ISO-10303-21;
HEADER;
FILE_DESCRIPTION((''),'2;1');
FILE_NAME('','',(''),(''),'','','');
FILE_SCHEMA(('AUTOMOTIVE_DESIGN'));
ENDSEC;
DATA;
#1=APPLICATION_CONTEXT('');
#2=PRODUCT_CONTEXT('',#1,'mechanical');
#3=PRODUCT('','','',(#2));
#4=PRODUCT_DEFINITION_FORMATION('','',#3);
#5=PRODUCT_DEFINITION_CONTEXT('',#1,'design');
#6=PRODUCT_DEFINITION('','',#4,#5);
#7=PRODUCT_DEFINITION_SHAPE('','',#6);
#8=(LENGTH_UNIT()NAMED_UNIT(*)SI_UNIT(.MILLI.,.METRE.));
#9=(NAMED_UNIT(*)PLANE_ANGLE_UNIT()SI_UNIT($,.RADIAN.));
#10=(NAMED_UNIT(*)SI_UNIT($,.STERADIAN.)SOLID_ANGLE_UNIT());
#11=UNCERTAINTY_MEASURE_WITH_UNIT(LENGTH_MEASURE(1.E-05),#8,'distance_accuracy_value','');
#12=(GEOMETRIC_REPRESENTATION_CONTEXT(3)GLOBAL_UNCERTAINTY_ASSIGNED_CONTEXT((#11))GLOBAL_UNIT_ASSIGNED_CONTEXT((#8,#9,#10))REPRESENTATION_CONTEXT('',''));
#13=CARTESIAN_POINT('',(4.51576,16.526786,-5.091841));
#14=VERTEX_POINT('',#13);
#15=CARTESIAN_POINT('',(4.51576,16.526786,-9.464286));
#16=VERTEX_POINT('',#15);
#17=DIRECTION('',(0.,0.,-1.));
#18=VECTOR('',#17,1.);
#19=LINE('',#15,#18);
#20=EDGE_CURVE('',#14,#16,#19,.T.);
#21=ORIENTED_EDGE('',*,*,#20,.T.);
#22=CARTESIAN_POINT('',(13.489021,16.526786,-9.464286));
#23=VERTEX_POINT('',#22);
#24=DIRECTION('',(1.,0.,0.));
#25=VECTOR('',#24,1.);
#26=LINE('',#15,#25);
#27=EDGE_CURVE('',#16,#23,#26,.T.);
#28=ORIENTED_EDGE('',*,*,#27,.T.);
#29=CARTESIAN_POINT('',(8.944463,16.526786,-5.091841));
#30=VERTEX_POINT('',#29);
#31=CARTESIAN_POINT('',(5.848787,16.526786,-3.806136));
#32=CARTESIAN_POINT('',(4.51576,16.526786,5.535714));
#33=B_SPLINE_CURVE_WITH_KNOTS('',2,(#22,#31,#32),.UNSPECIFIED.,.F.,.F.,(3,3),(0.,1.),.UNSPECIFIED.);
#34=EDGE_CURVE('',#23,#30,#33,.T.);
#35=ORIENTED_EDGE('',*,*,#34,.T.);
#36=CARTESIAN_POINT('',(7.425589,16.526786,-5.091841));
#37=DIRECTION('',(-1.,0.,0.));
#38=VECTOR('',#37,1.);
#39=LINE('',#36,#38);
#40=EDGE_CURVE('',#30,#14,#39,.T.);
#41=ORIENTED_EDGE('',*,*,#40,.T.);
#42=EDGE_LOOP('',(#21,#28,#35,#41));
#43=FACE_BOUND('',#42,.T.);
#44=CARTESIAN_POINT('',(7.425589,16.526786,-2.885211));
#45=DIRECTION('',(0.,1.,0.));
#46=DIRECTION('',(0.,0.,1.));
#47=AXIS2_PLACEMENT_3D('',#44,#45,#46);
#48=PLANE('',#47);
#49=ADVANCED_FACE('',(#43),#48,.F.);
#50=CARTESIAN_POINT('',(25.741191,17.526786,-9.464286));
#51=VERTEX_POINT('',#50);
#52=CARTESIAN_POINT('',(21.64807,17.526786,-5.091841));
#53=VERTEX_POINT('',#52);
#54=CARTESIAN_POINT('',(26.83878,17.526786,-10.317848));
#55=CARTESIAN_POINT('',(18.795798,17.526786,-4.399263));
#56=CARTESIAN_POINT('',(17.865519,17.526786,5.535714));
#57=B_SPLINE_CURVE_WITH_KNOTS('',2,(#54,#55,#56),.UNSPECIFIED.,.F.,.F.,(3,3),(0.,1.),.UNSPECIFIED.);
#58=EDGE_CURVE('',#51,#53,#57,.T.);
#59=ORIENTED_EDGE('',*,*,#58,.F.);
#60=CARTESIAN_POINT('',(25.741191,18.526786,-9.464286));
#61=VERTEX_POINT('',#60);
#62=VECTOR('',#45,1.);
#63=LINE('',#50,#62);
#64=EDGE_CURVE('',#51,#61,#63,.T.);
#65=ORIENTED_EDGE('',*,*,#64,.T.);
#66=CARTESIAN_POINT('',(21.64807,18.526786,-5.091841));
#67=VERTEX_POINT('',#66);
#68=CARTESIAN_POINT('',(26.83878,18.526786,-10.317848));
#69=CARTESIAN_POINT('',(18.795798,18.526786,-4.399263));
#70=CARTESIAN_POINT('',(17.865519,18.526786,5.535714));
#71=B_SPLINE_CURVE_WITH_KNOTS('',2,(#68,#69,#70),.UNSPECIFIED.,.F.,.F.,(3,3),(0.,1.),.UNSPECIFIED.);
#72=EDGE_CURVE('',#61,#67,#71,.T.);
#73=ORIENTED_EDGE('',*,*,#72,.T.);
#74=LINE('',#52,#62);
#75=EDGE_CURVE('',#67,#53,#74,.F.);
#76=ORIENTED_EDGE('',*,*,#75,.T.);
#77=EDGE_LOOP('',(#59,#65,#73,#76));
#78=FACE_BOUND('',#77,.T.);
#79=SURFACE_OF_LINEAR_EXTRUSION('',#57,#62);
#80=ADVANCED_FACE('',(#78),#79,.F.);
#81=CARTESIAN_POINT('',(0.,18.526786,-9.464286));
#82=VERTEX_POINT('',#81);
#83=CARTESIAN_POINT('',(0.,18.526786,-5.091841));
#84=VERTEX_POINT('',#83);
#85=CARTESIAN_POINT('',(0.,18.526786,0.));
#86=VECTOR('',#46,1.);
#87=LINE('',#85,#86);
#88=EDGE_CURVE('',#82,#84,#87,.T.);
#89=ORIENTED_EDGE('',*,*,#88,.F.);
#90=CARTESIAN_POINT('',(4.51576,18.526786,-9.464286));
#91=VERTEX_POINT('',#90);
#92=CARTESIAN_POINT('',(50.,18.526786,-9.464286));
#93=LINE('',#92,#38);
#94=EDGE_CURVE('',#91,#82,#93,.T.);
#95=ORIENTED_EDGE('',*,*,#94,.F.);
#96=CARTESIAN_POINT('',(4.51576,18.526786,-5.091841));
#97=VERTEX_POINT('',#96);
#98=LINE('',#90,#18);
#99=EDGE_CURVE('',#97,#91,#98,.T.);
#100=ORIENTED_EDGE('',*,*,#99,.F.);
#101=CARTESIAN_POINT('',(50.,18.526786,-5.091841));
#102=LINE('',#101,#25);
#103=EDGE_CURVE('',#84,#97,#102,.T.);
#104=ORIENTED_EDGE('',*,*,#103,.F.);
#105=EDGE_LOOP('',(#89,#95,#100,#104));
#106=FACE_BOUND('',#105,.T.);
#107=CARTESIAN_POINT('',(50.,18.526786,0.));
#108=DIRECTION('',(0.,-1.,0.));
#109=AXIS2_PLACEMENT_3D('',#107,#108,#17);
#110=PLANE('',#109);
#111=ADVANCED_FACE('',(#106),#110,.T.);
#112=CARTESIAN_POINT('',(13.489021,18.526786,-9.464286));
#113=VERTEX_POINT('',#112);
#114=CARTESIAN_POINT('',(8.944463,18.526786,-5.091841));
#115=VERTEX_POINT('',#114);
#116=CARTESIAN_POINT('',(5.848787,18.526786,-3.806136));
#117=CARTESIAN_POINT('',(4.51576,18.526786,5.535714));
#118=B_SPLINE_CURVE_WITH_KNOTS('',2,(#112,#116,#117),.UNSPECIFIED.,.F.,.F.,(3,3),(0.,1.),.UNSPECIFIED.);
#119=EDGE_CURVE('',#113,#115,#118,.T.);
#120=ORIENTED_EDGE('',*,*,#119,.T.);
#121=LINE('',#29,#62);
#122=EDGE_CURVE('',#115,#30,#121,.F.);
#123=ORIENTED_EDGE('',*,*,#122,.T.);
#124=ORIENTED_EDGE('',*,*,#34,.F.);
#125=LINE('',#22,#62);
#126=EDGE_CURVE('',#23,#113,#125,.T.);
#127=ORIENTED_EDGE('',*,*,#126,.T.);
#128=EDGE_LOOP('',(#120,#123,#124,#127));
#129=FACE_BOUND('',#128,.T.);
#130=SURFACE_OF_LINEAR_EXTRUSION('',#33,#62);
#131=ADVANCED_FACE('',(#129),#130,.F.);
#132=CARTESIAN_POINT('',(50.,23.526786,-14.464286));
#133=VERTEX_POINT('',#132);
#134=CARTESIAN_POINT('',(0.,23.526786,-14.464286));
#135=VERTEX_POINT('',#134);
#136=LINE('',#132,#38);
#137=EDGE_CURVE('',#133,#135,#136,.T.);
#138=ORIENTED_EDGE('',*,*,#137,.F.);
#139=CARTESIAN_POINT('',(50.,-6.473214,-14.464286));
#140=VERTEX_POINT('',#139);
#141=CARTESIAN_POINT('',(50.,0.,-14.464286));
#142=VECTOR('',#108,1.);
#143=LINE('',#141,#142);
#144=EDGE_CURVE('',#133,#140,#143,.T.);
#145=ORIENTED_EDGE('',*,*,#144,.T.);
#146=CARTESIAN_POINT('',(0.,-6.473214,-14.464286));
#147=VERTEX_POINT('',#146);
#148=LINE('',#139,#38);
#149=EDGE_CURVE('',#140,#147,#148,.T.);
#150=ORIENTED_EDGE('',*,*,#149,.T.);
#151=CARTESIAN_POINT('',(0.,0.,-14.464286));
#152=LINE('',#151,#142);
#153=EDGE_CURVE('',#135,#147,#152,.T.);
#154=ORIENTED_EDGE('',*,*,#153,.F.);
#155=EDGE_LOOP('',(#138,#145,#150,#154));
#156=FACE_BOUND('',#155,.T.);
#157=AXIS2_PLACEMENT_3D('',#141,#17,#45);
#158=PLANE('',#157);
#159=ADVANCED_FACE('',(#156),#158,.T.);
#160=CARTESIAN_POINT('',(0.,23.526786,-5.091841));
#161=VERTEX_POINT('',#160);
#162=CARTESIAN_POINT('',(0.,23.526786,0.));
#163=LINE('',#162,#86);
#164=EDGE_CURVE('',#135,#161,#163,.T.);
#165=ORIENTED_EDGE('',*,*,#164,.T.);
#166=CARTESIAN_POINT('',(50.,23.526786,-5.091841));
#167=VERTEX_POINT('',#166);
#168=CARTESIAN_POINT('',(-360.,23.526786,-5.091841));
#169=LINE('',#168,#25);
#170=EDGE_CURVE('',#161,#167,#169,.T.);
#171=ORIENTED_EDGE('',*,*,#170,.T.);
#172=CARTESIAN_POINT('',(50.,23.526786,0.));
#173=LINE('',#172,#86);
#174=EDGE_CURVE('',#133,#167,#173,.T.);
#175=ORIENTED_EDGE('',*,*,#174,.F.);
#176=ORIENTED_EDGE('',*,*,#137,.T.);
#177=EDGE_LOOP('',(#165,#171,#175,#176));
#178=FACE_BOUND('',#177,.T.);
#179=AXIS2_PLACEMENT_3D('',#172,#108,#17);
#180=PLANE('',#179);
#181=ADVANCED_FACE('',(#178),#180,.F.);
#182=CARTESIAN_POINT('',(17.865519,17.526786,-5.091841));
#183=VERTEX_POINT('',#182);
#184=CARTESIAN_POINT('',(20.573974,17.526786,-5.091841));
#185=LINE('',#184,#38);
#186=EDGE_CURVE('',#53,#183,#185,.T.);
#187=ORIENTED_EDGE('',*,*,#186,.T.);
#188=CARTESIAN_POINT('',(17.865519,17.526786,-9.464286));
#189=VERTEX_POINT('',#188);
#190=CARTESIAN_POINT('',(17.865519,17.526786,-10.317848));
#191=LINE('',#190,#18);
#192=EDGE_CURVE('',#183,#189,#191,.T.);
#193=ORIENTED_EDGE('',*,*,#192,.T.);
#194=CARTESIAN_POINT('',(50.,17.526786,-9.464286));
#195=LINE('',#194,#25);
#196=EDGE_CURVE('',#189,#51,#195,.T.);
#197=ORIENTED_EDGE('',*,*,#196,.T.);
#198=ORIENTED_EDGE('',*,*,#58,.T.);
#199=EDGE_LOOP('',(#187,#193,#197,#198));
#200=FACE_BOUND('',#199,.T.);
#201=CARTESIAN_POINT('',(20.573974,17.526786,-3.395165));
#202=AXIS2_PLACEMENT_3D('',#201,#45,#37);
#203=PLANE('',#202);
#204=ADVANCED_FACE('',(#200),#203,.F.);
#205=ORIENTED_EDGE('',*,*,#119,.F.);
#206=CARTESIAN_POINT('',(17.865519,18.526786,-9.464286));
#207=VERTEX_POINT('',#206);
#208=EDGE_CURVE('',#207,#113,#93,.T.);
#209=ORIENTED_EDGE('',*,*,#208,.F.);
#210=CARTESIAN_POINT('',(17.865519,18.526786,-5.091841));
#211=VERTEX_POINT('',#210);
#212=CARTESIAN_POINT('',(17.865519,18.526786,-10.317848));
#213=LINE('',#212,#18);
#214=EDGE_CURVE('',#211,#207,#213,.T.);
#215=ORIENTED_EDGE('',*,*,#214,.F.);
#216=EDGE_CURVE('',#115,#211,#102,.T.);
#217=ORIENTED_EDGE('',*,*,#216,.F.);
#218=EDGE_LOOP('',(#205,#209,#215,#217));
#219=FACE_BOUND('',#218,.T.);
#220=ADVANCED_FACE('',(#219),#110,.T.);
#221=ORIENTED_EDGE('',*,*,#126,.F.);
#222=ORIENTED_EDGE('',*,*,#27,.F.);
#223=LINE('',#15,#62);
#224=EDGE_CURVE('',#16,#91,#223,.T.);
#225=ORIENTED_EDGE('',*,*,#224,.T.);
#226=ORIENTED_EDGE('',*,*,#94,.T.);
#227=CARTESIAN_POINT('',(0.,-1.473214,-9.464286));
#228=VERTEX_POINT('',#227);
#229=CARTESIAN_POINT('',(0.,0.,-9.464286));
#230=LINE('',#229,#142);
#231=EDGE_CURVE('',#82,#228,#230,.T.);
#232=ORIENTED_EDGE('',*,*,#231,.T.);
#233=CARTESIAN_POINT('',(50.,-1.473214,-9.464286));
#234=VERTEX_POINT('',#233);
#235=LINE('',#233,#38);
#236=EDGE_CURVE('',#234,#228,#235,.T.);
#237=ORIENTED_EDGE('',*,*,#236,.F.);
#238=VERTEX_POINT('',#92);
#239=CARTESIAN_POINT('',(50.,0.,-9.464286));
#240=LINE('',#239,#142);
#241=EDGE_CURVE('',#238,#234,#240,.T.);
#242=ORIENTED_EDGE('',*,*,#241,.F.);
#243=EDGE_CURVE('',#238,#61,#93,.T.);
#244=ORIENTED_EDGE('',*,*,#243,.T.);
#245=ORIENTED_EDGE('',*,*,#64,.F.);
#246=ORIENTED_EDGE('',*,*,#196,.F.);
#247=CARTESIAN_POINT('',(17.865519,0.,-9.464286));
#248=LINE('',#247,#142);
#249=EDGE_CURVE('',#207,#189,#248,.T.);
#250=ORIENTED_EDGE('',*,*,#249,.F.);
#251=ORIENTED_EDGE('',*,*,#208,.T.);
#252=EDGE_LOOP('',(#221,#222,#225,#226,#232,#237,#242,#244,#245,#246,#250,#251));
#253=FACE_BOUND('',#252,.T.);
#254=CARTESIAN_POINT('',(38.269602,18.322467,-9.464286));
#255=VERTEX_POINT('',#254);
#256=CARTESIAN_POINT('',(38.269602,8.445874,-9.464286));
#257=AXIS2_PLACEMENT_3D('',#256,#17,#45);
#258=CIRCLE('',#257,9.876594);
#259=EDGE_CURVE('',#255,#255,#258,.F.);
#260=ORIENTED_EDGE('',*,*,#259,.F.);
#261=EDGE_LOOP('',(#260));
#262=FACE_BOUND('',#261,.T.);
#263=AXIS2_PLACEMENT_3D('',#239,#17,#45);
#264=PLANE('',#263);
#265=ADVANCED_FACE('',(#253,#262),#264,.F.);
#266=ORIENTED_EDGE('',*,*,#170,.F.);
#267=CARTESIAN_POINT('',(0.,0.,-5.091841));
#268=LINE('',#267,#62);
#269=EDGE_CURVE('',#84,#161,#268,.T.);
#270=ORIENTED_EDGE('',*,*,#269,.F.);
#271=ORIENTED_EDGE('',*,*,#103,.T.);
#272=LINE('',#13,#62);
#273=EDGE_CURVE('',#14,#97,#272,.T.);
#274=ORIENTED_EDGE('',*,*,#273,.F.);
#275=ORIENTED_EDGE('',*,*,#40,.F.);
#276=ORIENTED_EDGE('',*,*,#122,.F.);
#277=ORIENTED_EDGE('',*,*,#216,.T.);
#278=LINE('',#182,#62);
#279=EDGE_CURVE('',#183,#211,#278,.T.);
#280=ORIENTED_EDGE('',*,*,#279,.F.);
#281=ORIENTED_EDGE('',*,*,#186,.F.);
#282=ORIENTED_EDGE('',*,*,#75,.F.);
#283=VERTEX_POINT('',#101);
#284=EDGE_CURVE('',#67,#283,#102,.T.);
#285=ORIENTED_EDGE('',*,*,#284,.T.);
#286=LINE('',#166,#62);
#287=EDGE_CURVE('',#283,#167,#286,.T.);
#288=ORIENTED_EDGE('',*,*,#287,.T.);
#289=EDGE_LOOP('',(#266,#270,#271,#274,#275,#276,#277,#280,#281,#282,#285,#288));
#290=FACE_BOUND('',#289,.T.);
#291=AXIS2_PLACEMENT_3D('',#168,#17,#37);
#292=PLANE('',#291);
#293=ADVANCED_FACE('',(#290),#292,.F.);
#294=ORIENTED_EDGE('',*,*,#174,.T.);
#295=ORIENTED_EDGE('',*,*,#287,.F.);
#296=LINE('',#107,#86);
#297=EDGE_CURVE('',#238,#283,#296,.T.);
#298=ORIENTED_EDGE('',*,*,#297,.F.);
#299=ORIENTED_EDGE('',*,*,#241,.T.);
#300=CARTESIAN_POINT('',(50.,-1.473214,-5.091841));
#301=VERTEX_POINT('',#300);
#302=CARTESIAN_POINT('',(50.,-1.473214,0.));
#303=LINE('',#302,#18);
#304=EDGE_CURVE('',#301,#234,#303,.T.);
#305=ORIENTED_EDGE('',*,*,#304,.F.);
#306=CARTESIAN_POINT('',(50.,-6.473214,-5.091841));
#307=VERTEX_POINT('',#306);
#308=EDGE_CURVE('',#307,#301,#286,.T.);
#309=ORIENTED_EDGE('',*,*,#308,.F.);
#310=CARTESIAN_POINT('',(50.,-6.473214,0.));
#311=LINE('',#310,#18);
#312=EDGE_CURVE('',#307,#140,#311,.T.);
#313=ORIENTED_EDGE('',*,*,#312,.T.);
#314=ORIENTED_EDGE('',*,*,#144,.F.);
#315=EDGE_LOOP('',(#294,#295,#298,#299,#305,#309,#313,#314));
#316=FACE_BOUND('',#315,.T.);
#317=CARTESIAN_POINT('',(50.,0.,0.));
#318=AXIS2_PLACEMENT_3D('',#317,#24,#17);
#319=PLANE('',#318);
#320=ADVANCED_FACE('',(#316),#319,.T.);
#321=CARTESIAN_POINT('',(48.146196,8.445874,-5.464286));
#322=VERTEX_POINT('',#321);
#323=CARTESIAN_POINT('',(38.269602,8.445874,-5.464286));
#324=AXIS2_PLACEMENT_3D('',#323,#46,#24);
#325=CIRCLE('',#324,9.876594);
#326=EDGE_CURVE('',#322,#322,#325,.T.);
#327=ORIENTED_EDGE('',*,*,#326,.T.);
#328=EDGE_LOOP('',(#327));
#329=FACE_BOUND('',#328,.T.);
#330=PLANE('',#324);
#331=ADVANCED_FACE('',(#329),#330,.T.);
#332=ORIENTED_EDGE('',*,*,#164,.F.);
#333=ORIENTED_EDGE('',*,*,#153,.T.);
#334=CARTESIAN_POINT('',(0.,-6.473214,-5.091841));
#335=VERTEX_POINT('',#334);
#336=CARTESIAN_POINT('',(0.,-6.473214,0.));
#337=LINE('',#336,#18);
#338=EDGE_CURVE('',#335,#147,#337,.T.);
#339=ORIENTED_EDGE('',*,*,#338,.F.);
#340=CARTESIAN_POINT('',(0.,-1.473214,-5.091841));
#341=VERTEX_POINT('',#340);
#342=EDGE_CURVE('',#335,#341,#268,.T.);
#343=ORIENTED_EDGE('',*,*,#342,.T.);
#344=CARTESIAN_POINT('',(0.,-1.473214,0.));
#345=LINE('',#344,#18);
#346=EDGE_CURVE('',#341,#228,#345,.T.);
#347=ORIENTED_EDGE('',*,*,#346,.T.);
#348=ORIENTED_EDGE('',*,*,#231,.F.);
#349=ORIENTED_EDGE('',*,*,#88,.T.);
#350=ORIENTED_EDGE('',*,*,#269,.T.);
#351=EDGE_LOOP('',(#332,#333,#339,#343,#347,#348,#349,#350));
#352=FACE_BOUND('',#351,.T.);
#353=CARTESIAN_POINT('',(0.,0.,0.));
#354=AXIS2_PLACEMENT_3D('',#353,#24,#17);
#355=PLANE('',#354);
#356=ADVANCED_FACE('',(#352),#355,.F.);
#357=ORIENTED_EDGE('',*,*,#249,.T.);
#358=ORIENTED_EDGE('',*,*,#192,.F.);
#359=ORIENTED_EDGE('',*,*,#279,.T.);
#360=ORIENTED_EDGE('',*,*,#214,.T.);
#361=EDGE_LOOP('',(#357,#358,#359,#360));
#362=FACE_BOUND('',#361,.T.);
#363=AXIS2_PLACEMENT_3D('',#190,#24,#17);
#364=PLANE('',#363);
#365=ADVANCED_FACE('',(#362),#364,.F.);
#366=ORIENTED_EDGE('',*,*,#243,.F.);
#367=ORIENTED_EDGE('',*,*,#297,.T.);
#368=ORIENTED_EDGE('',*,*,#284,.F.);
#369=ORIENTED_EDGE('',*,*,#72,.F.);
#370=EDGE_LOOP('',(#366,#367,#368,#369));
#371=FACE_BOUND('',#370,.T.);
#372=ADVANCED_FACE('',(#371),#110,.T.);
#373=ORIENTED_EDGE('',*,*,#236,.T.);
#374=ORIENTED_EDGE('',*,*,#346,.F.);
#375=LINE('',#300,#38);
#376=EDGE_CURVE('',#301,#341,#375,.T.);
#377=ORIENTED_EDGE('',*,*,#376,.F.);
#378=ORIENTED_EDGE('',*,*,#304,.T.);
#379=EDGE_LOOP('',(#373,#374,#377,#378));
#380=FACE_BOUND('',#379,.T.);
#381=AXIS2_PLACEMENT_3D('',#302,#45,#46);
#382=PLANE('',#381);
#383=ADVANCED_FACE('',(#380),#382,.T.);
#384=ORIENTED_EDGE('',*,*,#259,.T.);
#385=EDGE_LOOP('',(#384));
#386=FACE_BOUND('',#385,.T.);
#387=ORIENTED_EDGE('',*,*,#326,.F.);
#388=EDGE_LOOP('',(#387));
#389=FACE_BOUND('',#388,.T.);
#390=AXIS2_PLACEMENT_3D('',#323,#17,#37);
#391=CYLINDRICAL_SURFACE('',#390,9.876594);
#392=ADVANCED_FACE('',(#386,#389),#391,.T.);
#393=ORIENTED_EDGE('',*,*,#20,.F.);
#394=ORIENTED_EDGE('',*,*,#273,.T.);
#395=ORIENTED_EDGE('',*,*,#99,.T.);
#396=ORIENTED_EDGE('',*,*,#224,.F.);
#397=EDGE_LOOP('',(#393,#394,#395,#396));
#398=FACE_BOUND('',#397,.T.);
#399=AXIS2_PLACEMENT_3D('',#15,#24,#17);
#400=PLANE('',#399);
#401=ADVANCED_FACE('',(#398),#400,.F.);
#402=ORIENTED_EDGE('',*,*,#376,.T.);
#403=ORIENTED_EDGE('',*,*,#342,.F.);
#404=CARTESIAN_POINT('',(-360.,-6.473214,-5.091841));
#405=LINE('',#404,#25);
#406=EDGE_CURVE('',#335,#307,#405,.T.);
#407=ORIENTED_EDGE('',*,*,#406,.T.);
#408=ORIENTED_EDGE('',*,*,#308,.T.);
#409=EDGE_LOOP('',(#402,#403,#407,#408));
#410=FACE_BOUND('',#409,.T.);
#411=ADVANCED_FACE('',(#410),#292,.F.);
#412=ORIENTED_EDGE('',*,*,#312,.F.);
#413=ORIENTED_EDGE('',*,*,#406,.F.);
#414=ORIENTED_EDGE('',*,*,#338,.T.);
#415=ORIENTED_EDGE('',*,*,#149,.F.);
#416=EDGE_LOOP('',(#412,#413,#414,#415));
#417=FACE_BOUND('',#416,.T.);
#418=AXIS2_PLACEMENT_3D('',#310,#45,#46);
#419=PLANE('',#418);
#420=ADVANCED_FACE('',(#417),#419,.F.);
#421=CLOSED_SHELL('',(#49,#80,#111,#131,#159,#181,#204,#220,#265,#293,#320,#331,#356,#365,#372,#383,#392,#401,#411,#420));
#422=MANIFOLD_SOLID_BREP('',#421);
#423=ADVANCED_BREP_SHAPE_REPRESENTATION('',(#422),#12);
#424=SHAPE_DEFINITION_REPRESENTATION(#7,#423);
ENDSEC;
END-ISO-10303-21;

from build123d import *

# Parameters (mm, degrees)
SKETCH1_W           = 5
SKETCH1_H           = 20
SKETCH1_W_2         = 20
SKETCH1_H_2         = 5
BOSS_EXTRUDE2_DEPTH = 50
BOSS_EXTRUDE3_DEPTH = 2
BOSS_EXTRUDE4_DEPTH = 1
SKETCH5_W           = 10.627555573
SKETCH5_H           = 30
CUT_EXTRUDE1_DEPTH  = 410
SKETCH6_R           = 9.876593792
BOSS_EXTRUDE5_DEPTH = 4


with BuildPart() as part:
    # Sketch1 → Boss-Extrude2 (new body)
    with BuildSketch(Plane(origin=(0, 0, 0), x_dir=(0, 0, -1), z_dir=(1, 0, 0))):
        with Locations((11.964285714, 8.526785714)):
            Rectangle(SKETCH1_W, SKETCH1_H)
        with Locations((4.464285714, 21.026785714)):
            Rectangle(SKETCH1_W_2, SKETCH1_H_2)
        with Locations((4.464285714, -3.973214286)):
            Rectangle(SKETCH1_W_2, SKETCH1_H_2)
    extrude(amount=BOSS_EXTRUDE2_DEPTH)

    # Sketch2 → Boss-Extrude3 (add)
    with BuildSketch(Plane.XZ.offset(-18.526785714)):
        with BuildLine():
            Line((4.515759803, -9.464285714), (4.515759803, 5.535714286))
            add(Edge.make_bspline(
                [(4.515759803, 5.535714286), (5.848786982, -3.806136343), (13.48902105, -9.464285714)],
                knots=[0, 0, 0, 1, 1, 1], degree=2))
            Line((13.48902105, -9.464285714), (4.515759803, -9.464285714))
        make_face()
    extrude(amount=BOSS_EXTRUDE3_DEPTH)

    # Sketch4 → Boss-Extrude4 (add)
    with BuildSketch(Plane.XZ.offset(-18.526785714)):
        with BuildLine():
            Line((17.865518754, -10.317847861), (17.865518754, 5.535714286))
            add(Edge.make_bspline(
                [(17.865518754, 5.535714286), (18.795797839, -4.399262704), (26.838780001, -10.317847861)],
                knots=[0, 0, 0, 1, 1, 1], degree=2))
            Line((26.838780001, -10.317847861), (17.865518754, -10.317847861))
        make_face()
    extrude(amount=BOSS_EXTRUDE4_DEPTH)

    # Sketch5 → Cut-Extrude1 (cut)
    with BuildSketch(Plane(origin=(50, 0, 0), x_dir=(0, 0, -1), z_dir=(1, 0, 0))):
        with Locations((-0.221936499, 8.526785714)):
            Rectangle(SKETCH5_W, SKETCH5_H)
    extrude(amount=-CUT_EXTRUDE1_DEPTH, mode=Mode.SUBTRACT)

    # Sketch6 → Boss-Extrude5 (add)
    with BuildSketch(Plane.XY.offset(-9.464285714)):
        with Locations(Location((38.269602277, 8.445873505, 0), (0, 0, 90))):
            Circle(SKETCH6_R)
    extrude(amount=BOSS_EXTRUDE5_DEPTH)


solid = part.part
